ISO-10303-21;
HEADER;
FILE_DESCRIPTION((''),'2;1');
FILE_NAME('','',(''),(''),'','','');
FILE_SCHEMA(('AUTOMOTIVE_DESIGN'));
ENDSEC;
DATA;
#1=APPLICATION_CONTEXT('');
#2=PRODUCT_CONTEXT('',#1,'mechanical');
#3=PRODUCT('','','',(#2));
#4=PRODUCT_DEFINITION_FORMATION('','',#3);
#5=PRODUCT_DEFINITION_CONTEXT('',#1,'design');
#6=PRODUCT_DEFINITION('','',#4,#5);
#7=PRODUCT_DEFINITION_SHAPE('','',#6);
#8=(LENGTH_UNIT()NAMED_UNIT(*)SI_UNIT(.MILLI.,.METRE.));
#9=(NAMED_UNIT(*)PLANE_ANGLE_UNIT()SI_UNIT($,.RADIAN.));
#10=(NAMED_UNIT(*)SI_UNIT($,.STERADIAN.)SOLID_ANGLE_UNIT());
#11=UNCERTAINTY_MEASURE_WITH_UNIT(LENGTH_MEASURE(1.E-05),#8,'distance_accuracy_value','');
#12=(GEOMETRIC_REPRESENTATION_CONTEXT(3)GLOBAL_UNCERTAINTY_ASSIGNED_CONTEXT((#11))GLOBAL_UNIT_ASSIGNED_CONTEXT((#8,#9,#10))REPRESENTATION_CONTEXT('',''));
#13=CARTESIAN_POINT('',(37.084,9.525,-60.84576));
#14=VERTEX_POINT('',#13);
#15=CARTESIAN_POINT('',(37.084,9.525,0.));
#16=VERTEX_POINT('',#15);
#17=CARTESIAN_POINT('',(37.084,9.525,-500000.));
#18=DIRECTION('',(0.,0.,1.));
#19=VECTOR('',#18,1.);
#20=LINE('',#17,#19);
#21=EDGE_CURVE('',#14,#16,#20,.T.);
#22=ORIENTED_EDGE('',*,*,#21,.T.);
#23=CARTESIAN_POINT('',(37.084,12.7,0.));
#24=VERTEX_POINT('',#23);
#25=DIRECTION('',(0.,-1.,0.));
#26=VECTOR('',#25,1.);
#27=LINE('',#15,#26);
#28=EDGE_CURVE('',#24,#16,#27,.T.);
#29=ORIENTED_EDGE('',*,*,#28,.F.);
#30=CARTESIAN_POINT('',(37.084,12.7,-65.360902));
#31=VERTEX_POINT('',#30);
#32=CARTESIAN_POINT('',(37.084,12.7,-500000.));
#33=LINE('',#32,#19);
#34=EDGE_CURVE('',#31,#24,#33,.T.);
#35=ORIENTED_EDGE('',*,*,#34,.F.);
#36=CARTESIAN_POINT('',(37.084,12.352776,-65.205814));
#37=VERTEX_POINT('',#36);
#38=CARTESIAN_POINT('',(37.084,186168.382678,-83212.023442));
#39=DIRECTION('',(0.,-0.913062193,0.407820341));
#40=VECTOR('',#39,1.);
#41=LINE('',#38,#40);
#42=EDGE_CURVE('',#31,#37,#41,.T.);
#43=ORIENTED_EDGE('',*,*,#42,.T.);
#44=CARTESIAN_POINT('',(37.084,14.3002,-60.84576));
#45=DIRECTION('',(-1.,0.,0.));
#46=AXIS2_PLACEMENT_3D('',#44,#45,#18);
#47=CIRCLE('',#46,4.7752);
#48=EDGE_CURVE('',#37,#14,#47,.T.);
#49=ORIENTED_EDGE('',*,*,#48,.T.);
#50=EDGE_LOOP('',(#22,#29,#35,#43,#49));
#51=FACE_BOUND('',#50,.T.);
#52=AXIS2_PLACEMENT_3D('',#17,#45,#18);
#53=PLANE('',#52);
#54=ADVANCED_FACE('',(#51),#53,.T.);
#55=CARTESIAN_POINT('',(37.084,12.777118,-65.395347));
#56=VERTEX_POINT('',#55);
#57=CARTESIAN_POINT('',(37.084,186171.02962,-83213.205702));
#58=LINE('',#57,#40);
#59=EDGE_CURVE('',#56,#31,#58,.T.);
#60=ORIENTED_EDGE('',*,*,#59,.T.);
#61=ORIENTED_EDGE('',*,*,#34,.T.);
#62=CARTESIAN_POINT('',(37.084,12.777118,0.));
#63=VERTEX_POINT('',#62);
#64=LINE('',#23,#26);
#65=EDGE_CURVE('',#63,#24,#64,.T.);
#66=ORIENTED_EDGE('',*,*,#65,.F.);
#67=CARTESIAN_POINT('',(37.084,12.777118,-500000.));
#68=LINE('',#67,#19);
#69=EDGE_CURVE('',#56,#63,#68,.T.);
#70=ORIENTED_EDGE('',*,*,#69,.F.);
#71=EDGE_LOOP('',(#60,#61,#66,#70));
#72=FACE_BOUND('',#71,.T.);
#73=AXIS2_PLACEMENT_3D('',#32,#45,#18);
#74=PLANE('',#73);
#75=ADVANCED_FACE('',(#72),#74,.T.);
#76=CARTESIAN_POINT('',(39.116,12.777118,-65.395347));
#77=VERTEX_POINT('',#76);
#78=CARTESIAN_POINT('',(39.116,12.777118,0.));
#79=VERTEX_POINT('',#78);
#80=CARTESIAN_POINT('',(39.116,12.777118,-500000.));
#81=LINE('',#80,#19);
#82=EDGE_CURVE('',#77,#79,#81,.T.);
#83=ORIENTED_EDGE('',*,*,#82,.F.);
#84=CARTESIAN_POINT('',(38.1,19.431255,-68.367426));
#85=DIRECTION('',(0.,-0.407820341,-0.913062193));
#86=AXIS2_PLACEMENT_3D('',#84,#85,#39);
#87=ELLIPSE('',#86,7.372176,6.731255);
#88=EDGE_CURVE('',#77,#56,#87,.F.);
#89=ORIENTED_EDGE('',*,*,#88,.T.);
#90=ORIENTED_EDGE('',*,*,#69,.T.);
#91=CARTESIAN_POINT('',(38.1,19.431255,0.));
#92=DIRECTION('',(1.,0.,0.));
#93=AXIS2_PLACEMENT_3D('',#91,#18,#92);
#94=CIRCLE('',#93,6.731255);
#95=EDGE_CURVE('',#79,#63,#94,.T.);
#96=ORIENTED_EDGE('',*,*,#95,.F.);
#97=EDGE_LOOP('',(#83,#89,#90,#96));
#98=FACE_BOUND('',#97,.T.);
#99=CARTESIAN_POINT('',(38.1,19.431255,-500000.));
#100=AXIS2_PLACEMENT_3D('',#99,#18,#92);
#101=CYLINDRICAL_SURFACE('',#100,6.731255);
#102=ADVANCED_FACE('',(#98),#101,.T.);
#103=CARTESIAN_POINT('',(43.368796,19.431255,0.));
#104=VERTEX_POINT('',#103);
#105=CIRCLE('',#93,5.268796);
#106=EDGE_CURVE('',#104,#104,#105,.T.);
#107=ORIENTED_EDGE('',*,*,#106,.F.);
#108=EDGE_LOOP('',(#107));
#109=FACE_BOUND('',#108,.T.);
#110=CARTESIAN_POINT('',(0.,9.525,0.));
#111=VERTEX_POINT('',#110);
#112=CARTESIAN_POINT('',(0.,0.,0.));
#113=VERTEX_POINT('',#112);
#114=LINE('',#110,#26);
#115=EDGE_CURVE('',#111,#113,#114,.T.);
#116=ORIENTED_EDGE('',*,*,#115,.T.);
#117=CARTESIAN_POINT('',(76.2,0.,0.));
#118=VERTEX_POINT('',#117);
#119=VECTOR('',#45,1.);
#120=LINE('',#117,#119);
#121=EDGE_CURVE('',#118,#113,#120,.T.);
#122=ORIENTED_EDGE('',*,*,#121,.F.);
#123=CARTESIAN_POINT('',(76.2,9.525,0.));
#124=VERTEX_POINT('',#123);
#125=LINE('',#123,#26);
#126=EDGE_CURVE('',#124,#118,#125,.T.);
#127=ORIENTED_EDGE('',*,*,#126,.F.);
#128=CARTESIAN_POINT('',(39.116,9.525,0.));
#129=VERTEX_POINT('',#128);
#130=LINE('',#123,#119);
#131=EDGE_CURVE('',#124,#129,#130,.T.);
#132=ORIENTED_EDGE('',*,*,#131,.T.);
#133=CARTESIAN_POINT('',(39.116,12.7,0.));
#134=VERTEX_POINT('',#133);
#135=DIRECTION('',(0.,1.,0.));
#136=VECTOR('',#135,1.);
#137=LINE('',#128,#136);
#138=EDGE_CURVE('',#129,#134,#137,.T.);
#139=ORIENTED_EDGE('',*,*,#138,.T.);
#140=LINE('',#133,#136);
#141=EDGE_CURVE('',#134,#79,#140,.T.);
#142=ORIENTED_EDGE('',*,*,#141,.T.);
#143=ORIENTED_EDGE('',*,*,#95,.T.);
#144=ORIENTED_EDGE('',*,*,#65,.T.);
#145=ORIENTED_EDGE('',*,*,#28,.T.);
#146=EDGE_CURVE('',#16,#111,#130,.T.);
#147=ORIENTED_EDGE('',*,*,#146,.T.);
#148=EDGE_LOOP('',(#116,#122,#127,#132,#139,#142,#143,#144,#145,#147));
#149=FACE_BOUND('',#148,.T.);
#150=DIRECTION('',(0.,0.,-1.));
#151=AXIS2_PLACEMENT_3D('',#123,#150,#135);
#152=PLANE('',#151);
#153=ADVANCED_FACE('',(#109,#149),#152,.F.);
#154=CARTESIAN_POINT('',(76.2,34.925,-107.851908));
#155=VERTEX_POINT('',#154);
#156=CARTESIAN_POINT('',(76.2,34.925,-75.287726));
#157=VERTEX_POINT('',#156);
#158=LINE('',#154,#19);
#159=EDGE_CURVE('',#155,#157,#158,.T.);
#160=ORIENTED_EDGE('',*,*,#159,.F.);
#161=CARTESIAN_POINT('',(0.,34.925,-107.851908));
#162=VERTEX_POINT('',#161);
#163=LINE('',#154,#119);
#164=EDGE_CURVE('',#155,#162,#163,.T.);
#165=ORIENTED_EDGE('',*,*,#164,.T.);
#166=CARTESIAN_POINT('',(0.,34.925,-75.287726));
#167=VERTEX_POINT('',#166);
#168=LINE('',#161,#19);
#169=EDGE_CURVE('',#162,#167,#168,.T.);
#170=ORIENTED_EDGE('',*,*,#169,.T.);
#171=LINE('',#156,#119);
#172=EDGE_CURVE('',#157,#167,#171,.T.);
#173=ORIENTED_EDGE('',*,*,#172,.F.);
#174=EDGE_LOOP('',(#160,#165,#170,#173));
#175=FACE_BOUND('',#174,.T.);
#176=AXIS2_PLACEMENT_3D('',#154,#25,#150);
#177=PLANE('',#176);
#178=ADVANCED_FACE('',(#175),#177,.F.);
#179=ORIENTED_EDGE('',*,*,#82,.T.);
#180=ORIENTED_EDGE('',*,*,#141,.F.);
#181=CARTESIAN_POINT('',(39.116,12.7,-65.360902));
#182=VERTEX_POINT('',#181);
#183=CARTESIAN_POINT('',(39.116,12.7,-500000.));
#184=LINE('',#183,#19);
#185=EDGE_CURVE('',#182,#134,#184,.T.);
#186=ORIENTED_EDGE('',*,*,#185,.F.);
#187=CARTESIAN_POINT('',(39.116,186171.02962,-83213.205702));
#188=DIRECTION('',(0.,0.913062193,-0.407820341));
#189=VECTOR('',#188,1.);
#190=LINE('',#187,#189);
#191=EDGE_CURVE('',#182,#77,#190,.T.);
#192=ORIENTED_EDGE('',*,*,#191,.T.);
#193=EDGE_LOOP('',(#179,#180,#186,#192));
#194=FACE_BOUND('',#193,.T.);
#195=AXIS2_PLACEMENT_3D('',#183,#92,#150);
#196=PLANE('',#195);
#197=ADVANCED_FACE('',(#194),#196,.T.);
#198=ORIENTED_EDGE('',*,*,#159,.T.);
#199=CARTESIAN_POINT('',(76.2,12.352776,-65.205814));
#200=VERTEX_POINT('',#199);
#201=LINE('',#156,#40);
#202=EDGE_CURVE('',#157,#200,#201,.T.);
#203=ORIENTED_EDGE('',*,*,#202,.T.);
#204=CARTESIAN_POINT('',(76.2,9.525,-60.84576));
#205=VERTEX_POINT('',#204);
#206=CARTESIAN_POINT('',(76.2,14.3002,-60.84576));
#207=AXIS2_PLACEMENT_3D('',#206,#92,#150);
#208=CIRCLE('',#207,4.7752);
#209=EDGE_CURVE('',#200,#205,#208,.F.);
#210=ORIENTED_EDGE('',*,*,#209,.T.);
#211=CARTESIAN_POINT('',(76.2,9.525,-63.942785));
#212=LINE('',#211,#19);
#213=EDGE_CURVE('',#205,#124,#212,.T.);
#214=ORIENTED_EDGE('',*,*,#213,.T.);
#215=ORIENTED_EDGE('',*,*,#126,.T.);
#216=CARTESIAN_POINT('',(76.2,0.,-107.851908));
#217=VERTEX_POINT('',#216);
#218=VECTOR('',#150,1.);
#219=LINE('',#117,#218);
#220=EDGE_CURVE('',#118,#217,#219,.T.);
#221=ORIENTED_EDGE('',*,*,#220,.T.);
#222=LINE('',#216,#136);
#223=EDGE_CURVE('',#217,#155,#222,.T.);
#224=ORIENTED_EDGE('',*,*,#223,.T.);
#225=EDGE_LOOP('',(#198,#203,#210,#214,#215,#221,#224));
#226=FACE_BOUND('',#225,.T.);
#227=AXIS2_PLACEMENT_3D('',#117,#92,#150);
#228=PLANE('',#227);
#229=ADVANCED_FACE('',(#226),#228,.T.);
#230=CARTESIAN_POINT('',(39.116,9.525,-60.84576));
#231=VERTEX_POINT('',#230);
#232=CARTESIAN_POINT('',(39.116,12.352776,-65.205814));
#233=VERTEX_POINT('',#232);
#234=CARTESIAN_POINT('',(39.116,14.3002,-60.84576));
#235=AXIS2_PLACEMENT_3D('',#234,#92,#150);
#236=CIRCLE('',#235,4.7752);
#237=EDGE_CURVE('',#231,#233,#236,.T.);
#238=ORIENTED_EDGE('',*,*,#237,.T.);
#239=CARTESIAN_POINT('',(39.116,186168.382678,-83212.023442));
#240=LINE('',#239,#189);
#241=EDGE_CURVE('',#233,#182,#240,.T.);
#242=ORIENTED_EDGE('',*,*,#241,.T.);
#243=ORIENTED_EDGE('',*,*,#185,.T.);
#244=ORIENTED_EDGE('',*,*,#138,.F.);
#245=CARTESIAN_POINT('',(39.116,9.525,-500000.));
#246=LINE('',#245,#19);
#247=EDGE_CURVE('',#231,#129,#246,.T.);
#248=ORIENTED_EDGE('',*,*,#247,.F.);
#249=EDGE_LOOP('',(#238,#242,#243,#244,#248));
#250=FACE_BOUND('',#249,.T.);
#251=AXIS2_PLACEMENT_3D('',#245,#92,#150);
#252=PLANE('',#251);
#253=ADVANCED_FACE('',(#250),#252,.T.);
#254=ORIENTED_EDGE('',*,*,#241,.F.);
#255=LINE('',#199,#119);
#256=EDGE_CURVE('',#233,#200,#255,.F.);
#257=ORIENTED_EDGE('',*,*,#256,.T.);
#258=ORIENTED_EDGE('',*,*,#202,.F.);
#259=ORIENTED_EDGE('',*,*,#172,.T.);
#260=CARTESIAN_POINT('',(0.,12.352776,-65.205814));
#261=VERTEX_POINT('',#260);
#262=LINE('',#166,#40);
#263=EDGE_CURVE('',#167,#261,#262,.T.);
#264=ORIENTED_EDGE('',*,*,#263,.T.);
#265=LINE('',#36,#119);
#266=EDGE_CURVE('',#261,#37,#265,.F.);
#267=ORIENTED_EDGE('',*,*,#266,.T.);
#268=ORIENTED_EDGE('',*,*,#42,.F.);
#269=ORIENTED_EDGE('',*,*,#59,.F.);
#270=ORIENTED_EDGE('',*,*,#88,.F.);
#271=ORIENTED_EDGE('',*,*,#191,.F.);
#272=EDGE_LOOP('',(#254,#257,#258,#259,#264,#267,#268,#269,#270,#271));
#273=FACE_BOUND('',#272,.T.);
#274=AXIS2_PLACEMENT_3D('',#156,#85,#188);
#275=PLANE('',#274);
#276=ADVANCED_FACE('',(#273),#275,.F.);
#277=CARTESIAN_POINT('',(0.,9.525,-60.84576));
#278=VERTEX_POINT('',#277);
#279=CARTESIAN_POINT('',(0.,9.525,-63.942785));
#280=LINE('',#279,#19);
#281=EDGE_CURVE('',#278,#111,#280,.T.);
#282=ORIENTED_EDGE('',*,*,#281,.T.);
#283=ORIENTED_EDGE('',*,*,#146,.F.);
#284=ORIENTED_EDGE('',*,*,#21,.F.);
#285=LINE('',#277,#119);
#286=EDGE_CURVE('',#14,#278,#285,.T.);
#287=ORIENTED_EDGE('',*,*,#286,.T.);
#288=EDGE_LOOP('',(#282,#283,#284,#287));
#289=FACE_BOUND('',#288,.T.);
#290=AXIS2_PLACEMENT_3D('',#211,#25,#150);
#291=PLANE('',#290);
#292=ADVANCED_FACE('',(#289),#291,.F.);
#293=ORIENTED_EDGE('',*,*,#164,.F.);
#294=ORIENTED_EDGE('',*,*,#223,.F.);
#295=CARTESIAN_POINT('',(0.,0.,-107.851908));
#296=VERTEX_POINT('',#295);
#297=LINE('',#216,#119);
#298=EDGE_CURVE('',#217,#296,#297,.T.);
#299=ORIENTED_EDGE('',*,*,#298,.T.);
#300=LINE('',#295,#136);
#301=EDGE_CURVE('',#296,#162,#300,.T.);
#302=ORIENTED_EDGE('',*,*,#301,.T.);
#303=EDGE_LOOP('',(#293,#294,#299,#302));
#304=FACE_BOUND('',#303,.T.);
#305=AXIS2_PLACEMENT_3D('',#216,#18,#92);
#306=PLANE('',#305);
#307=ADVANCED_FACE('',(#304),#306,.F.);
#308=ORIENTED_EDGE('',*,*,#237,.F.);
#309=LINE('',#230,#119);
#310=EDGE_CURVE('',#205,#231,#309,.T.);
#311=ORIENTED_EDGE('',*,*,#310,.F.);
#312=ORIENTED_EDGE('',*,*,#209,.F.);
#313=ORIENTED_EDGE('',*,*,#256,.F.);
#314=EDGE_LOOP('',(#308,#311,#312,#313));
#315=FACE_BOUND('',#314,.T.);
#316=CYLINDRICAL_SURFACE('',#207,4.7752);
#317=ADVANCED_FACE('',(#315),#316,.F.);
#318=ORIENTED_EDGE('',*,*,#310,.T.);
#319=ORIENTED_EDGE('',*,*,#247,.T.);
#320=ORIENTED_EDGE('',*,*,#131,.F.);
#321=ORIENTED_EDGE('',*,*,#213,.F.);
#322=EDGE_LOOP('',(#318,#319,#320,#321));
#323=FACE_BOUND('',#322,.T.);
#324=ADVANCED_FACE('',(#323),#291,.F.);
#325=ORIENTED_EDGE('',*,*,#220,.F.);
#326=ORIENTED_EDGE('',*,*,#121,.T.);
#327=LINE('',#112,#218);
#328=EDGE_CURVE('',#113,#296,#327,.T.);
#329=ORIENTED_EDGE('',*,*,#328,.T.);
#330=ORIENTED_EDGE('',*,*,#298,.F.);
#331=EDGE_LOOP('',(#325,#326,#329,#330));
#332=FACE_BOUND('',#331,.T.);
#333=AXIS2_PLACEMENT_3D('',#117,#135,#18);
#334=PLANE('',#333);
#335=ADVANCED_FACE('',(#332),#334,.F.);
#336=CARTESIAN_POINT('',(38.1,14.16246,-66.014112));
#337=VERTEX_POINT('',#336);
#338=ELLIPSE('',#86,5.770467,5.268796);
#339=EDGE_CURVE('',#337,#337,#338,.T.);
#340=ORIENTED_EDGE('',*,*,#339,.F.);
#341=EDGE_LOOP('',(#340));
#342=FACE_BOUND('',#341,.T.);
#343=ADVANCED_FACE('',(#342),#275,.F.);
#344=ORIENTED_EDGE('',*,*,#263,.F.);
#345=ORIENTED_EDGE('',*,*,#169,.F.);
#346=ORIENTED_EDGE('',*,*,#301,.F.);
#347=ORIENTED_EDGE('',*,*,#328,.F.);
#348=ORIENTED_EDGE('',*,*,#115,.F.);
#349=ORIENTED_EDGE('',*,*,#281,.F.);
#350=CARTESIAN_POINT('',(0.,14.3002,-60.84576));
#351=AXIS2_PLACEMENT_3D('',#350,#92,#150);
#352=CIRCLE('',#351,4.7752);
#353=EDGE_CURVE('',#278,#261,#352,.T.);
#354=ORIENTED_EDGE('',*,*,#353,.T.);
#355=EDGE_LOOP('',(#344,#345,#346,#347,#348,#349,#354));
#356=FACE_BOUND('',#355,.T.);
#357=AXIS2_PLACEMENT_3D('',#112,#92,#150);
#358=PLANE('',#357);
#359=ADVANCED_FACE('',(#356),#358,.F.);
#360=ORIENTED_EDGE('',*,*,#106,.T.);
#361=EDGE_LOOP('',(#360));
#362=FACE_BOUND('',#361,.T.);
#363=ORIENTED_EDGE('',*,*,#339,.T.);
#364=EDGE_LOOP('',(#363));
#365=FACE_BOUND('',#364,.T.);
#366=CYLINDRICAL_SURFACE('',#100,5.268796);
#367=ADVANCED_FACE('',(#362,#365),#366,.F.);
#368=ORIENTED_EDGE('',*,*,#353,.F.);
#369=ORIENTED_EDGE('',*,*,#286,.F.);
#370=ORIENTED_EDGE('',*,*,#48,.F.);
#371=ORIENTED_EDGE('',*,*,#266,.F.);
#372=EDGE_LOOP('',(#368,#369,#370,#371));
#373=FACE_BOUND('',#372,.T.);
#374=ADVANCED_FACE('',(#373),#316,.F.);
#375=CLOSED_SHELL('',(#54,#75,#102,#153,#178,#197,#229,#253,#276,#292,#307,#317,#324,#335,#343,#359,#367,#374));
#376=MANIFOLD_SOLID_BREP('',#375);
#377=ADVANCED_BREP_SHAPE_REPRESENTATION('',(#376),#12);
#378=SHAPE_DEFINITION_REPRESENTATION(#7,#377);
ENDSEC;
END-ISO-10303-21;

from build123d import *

# Parameters (mm, degrees)
EXTRUDE7_DEPTH = 76.2
EXTRUDE8_REACH = 138.595
SKETCH17_R     = 5.268795673
FILLET1_R      = 4.7752


with BuildPart() as part:
    # Sketch16 → Extrude7 (new body)
    with BuildSketch(Plane(origin=(0, 0, 0), x_dir=(0, 0, -1), z_dir=(1, 0, 0))):
        Polygon((0, 0), (107.851907976, 0), (107.851907976, 34.925), (75.287725604, 34.925), (63.942784648, 9.525), (0, 9.525), align=None)
    extrude(amount=EXTRUDE7_DEPTH)

    # Extrude8: up to this plane
    extrude8_end = Plane(origin=(76.2, 34.925, -75.287725604), z_dir=(0, -0.4078203414676676, -0.9130621934376623))
    # Sketch17 → Extrude8 (add, up to the surface)
    with BuildSketch(Plane.XY, mode=Mode.PRIVATE) as extrude8_sk1:
        with BuildLine():
            Line((39.116, 9.525), (37.084, 9.525))
            Line((37.084, 9.525), (37.084, 12.7))
            Line((37.084, 12.7), (37.084, 12.777118098))
            ThreePointArc((37.084, 12.777118098), (38.1, 26.162510517), (39.116, 12.777118098))
            Line((39.116, 12.777118098), (39.116, 12.7))
            Line((39.116, 12.7), (39.116, 9.525))
        make_face()
        with Locations((38.1, 19.431255259)):
            Circle(SKETCH17_R, mode=Mode.SUBTRACT)
    extrude8_tool1 = split(extrude(extrude8_sk1.sketch, amount=-EXTRUDE8_REACH, mode=Mode.PRIVATE), bisect_by=extrude8_end, keep=Keep.BOTH, mode=Mode.PRIVATE)
    add(extrude8_tool1.solids().sort_by_distance((38.1, 9.73902, 0))[0])

    # Fillet1
    fillet1_edges = [part.edges().sort_by_distance(p)[0] for p in [
        (57.658, 9.525, -63.942784648),
        (18.542, 9.525, -63.942784648),
    ]]
    fillet(fillet1_edges, radius=FILLET1_R)


solid = part.part
